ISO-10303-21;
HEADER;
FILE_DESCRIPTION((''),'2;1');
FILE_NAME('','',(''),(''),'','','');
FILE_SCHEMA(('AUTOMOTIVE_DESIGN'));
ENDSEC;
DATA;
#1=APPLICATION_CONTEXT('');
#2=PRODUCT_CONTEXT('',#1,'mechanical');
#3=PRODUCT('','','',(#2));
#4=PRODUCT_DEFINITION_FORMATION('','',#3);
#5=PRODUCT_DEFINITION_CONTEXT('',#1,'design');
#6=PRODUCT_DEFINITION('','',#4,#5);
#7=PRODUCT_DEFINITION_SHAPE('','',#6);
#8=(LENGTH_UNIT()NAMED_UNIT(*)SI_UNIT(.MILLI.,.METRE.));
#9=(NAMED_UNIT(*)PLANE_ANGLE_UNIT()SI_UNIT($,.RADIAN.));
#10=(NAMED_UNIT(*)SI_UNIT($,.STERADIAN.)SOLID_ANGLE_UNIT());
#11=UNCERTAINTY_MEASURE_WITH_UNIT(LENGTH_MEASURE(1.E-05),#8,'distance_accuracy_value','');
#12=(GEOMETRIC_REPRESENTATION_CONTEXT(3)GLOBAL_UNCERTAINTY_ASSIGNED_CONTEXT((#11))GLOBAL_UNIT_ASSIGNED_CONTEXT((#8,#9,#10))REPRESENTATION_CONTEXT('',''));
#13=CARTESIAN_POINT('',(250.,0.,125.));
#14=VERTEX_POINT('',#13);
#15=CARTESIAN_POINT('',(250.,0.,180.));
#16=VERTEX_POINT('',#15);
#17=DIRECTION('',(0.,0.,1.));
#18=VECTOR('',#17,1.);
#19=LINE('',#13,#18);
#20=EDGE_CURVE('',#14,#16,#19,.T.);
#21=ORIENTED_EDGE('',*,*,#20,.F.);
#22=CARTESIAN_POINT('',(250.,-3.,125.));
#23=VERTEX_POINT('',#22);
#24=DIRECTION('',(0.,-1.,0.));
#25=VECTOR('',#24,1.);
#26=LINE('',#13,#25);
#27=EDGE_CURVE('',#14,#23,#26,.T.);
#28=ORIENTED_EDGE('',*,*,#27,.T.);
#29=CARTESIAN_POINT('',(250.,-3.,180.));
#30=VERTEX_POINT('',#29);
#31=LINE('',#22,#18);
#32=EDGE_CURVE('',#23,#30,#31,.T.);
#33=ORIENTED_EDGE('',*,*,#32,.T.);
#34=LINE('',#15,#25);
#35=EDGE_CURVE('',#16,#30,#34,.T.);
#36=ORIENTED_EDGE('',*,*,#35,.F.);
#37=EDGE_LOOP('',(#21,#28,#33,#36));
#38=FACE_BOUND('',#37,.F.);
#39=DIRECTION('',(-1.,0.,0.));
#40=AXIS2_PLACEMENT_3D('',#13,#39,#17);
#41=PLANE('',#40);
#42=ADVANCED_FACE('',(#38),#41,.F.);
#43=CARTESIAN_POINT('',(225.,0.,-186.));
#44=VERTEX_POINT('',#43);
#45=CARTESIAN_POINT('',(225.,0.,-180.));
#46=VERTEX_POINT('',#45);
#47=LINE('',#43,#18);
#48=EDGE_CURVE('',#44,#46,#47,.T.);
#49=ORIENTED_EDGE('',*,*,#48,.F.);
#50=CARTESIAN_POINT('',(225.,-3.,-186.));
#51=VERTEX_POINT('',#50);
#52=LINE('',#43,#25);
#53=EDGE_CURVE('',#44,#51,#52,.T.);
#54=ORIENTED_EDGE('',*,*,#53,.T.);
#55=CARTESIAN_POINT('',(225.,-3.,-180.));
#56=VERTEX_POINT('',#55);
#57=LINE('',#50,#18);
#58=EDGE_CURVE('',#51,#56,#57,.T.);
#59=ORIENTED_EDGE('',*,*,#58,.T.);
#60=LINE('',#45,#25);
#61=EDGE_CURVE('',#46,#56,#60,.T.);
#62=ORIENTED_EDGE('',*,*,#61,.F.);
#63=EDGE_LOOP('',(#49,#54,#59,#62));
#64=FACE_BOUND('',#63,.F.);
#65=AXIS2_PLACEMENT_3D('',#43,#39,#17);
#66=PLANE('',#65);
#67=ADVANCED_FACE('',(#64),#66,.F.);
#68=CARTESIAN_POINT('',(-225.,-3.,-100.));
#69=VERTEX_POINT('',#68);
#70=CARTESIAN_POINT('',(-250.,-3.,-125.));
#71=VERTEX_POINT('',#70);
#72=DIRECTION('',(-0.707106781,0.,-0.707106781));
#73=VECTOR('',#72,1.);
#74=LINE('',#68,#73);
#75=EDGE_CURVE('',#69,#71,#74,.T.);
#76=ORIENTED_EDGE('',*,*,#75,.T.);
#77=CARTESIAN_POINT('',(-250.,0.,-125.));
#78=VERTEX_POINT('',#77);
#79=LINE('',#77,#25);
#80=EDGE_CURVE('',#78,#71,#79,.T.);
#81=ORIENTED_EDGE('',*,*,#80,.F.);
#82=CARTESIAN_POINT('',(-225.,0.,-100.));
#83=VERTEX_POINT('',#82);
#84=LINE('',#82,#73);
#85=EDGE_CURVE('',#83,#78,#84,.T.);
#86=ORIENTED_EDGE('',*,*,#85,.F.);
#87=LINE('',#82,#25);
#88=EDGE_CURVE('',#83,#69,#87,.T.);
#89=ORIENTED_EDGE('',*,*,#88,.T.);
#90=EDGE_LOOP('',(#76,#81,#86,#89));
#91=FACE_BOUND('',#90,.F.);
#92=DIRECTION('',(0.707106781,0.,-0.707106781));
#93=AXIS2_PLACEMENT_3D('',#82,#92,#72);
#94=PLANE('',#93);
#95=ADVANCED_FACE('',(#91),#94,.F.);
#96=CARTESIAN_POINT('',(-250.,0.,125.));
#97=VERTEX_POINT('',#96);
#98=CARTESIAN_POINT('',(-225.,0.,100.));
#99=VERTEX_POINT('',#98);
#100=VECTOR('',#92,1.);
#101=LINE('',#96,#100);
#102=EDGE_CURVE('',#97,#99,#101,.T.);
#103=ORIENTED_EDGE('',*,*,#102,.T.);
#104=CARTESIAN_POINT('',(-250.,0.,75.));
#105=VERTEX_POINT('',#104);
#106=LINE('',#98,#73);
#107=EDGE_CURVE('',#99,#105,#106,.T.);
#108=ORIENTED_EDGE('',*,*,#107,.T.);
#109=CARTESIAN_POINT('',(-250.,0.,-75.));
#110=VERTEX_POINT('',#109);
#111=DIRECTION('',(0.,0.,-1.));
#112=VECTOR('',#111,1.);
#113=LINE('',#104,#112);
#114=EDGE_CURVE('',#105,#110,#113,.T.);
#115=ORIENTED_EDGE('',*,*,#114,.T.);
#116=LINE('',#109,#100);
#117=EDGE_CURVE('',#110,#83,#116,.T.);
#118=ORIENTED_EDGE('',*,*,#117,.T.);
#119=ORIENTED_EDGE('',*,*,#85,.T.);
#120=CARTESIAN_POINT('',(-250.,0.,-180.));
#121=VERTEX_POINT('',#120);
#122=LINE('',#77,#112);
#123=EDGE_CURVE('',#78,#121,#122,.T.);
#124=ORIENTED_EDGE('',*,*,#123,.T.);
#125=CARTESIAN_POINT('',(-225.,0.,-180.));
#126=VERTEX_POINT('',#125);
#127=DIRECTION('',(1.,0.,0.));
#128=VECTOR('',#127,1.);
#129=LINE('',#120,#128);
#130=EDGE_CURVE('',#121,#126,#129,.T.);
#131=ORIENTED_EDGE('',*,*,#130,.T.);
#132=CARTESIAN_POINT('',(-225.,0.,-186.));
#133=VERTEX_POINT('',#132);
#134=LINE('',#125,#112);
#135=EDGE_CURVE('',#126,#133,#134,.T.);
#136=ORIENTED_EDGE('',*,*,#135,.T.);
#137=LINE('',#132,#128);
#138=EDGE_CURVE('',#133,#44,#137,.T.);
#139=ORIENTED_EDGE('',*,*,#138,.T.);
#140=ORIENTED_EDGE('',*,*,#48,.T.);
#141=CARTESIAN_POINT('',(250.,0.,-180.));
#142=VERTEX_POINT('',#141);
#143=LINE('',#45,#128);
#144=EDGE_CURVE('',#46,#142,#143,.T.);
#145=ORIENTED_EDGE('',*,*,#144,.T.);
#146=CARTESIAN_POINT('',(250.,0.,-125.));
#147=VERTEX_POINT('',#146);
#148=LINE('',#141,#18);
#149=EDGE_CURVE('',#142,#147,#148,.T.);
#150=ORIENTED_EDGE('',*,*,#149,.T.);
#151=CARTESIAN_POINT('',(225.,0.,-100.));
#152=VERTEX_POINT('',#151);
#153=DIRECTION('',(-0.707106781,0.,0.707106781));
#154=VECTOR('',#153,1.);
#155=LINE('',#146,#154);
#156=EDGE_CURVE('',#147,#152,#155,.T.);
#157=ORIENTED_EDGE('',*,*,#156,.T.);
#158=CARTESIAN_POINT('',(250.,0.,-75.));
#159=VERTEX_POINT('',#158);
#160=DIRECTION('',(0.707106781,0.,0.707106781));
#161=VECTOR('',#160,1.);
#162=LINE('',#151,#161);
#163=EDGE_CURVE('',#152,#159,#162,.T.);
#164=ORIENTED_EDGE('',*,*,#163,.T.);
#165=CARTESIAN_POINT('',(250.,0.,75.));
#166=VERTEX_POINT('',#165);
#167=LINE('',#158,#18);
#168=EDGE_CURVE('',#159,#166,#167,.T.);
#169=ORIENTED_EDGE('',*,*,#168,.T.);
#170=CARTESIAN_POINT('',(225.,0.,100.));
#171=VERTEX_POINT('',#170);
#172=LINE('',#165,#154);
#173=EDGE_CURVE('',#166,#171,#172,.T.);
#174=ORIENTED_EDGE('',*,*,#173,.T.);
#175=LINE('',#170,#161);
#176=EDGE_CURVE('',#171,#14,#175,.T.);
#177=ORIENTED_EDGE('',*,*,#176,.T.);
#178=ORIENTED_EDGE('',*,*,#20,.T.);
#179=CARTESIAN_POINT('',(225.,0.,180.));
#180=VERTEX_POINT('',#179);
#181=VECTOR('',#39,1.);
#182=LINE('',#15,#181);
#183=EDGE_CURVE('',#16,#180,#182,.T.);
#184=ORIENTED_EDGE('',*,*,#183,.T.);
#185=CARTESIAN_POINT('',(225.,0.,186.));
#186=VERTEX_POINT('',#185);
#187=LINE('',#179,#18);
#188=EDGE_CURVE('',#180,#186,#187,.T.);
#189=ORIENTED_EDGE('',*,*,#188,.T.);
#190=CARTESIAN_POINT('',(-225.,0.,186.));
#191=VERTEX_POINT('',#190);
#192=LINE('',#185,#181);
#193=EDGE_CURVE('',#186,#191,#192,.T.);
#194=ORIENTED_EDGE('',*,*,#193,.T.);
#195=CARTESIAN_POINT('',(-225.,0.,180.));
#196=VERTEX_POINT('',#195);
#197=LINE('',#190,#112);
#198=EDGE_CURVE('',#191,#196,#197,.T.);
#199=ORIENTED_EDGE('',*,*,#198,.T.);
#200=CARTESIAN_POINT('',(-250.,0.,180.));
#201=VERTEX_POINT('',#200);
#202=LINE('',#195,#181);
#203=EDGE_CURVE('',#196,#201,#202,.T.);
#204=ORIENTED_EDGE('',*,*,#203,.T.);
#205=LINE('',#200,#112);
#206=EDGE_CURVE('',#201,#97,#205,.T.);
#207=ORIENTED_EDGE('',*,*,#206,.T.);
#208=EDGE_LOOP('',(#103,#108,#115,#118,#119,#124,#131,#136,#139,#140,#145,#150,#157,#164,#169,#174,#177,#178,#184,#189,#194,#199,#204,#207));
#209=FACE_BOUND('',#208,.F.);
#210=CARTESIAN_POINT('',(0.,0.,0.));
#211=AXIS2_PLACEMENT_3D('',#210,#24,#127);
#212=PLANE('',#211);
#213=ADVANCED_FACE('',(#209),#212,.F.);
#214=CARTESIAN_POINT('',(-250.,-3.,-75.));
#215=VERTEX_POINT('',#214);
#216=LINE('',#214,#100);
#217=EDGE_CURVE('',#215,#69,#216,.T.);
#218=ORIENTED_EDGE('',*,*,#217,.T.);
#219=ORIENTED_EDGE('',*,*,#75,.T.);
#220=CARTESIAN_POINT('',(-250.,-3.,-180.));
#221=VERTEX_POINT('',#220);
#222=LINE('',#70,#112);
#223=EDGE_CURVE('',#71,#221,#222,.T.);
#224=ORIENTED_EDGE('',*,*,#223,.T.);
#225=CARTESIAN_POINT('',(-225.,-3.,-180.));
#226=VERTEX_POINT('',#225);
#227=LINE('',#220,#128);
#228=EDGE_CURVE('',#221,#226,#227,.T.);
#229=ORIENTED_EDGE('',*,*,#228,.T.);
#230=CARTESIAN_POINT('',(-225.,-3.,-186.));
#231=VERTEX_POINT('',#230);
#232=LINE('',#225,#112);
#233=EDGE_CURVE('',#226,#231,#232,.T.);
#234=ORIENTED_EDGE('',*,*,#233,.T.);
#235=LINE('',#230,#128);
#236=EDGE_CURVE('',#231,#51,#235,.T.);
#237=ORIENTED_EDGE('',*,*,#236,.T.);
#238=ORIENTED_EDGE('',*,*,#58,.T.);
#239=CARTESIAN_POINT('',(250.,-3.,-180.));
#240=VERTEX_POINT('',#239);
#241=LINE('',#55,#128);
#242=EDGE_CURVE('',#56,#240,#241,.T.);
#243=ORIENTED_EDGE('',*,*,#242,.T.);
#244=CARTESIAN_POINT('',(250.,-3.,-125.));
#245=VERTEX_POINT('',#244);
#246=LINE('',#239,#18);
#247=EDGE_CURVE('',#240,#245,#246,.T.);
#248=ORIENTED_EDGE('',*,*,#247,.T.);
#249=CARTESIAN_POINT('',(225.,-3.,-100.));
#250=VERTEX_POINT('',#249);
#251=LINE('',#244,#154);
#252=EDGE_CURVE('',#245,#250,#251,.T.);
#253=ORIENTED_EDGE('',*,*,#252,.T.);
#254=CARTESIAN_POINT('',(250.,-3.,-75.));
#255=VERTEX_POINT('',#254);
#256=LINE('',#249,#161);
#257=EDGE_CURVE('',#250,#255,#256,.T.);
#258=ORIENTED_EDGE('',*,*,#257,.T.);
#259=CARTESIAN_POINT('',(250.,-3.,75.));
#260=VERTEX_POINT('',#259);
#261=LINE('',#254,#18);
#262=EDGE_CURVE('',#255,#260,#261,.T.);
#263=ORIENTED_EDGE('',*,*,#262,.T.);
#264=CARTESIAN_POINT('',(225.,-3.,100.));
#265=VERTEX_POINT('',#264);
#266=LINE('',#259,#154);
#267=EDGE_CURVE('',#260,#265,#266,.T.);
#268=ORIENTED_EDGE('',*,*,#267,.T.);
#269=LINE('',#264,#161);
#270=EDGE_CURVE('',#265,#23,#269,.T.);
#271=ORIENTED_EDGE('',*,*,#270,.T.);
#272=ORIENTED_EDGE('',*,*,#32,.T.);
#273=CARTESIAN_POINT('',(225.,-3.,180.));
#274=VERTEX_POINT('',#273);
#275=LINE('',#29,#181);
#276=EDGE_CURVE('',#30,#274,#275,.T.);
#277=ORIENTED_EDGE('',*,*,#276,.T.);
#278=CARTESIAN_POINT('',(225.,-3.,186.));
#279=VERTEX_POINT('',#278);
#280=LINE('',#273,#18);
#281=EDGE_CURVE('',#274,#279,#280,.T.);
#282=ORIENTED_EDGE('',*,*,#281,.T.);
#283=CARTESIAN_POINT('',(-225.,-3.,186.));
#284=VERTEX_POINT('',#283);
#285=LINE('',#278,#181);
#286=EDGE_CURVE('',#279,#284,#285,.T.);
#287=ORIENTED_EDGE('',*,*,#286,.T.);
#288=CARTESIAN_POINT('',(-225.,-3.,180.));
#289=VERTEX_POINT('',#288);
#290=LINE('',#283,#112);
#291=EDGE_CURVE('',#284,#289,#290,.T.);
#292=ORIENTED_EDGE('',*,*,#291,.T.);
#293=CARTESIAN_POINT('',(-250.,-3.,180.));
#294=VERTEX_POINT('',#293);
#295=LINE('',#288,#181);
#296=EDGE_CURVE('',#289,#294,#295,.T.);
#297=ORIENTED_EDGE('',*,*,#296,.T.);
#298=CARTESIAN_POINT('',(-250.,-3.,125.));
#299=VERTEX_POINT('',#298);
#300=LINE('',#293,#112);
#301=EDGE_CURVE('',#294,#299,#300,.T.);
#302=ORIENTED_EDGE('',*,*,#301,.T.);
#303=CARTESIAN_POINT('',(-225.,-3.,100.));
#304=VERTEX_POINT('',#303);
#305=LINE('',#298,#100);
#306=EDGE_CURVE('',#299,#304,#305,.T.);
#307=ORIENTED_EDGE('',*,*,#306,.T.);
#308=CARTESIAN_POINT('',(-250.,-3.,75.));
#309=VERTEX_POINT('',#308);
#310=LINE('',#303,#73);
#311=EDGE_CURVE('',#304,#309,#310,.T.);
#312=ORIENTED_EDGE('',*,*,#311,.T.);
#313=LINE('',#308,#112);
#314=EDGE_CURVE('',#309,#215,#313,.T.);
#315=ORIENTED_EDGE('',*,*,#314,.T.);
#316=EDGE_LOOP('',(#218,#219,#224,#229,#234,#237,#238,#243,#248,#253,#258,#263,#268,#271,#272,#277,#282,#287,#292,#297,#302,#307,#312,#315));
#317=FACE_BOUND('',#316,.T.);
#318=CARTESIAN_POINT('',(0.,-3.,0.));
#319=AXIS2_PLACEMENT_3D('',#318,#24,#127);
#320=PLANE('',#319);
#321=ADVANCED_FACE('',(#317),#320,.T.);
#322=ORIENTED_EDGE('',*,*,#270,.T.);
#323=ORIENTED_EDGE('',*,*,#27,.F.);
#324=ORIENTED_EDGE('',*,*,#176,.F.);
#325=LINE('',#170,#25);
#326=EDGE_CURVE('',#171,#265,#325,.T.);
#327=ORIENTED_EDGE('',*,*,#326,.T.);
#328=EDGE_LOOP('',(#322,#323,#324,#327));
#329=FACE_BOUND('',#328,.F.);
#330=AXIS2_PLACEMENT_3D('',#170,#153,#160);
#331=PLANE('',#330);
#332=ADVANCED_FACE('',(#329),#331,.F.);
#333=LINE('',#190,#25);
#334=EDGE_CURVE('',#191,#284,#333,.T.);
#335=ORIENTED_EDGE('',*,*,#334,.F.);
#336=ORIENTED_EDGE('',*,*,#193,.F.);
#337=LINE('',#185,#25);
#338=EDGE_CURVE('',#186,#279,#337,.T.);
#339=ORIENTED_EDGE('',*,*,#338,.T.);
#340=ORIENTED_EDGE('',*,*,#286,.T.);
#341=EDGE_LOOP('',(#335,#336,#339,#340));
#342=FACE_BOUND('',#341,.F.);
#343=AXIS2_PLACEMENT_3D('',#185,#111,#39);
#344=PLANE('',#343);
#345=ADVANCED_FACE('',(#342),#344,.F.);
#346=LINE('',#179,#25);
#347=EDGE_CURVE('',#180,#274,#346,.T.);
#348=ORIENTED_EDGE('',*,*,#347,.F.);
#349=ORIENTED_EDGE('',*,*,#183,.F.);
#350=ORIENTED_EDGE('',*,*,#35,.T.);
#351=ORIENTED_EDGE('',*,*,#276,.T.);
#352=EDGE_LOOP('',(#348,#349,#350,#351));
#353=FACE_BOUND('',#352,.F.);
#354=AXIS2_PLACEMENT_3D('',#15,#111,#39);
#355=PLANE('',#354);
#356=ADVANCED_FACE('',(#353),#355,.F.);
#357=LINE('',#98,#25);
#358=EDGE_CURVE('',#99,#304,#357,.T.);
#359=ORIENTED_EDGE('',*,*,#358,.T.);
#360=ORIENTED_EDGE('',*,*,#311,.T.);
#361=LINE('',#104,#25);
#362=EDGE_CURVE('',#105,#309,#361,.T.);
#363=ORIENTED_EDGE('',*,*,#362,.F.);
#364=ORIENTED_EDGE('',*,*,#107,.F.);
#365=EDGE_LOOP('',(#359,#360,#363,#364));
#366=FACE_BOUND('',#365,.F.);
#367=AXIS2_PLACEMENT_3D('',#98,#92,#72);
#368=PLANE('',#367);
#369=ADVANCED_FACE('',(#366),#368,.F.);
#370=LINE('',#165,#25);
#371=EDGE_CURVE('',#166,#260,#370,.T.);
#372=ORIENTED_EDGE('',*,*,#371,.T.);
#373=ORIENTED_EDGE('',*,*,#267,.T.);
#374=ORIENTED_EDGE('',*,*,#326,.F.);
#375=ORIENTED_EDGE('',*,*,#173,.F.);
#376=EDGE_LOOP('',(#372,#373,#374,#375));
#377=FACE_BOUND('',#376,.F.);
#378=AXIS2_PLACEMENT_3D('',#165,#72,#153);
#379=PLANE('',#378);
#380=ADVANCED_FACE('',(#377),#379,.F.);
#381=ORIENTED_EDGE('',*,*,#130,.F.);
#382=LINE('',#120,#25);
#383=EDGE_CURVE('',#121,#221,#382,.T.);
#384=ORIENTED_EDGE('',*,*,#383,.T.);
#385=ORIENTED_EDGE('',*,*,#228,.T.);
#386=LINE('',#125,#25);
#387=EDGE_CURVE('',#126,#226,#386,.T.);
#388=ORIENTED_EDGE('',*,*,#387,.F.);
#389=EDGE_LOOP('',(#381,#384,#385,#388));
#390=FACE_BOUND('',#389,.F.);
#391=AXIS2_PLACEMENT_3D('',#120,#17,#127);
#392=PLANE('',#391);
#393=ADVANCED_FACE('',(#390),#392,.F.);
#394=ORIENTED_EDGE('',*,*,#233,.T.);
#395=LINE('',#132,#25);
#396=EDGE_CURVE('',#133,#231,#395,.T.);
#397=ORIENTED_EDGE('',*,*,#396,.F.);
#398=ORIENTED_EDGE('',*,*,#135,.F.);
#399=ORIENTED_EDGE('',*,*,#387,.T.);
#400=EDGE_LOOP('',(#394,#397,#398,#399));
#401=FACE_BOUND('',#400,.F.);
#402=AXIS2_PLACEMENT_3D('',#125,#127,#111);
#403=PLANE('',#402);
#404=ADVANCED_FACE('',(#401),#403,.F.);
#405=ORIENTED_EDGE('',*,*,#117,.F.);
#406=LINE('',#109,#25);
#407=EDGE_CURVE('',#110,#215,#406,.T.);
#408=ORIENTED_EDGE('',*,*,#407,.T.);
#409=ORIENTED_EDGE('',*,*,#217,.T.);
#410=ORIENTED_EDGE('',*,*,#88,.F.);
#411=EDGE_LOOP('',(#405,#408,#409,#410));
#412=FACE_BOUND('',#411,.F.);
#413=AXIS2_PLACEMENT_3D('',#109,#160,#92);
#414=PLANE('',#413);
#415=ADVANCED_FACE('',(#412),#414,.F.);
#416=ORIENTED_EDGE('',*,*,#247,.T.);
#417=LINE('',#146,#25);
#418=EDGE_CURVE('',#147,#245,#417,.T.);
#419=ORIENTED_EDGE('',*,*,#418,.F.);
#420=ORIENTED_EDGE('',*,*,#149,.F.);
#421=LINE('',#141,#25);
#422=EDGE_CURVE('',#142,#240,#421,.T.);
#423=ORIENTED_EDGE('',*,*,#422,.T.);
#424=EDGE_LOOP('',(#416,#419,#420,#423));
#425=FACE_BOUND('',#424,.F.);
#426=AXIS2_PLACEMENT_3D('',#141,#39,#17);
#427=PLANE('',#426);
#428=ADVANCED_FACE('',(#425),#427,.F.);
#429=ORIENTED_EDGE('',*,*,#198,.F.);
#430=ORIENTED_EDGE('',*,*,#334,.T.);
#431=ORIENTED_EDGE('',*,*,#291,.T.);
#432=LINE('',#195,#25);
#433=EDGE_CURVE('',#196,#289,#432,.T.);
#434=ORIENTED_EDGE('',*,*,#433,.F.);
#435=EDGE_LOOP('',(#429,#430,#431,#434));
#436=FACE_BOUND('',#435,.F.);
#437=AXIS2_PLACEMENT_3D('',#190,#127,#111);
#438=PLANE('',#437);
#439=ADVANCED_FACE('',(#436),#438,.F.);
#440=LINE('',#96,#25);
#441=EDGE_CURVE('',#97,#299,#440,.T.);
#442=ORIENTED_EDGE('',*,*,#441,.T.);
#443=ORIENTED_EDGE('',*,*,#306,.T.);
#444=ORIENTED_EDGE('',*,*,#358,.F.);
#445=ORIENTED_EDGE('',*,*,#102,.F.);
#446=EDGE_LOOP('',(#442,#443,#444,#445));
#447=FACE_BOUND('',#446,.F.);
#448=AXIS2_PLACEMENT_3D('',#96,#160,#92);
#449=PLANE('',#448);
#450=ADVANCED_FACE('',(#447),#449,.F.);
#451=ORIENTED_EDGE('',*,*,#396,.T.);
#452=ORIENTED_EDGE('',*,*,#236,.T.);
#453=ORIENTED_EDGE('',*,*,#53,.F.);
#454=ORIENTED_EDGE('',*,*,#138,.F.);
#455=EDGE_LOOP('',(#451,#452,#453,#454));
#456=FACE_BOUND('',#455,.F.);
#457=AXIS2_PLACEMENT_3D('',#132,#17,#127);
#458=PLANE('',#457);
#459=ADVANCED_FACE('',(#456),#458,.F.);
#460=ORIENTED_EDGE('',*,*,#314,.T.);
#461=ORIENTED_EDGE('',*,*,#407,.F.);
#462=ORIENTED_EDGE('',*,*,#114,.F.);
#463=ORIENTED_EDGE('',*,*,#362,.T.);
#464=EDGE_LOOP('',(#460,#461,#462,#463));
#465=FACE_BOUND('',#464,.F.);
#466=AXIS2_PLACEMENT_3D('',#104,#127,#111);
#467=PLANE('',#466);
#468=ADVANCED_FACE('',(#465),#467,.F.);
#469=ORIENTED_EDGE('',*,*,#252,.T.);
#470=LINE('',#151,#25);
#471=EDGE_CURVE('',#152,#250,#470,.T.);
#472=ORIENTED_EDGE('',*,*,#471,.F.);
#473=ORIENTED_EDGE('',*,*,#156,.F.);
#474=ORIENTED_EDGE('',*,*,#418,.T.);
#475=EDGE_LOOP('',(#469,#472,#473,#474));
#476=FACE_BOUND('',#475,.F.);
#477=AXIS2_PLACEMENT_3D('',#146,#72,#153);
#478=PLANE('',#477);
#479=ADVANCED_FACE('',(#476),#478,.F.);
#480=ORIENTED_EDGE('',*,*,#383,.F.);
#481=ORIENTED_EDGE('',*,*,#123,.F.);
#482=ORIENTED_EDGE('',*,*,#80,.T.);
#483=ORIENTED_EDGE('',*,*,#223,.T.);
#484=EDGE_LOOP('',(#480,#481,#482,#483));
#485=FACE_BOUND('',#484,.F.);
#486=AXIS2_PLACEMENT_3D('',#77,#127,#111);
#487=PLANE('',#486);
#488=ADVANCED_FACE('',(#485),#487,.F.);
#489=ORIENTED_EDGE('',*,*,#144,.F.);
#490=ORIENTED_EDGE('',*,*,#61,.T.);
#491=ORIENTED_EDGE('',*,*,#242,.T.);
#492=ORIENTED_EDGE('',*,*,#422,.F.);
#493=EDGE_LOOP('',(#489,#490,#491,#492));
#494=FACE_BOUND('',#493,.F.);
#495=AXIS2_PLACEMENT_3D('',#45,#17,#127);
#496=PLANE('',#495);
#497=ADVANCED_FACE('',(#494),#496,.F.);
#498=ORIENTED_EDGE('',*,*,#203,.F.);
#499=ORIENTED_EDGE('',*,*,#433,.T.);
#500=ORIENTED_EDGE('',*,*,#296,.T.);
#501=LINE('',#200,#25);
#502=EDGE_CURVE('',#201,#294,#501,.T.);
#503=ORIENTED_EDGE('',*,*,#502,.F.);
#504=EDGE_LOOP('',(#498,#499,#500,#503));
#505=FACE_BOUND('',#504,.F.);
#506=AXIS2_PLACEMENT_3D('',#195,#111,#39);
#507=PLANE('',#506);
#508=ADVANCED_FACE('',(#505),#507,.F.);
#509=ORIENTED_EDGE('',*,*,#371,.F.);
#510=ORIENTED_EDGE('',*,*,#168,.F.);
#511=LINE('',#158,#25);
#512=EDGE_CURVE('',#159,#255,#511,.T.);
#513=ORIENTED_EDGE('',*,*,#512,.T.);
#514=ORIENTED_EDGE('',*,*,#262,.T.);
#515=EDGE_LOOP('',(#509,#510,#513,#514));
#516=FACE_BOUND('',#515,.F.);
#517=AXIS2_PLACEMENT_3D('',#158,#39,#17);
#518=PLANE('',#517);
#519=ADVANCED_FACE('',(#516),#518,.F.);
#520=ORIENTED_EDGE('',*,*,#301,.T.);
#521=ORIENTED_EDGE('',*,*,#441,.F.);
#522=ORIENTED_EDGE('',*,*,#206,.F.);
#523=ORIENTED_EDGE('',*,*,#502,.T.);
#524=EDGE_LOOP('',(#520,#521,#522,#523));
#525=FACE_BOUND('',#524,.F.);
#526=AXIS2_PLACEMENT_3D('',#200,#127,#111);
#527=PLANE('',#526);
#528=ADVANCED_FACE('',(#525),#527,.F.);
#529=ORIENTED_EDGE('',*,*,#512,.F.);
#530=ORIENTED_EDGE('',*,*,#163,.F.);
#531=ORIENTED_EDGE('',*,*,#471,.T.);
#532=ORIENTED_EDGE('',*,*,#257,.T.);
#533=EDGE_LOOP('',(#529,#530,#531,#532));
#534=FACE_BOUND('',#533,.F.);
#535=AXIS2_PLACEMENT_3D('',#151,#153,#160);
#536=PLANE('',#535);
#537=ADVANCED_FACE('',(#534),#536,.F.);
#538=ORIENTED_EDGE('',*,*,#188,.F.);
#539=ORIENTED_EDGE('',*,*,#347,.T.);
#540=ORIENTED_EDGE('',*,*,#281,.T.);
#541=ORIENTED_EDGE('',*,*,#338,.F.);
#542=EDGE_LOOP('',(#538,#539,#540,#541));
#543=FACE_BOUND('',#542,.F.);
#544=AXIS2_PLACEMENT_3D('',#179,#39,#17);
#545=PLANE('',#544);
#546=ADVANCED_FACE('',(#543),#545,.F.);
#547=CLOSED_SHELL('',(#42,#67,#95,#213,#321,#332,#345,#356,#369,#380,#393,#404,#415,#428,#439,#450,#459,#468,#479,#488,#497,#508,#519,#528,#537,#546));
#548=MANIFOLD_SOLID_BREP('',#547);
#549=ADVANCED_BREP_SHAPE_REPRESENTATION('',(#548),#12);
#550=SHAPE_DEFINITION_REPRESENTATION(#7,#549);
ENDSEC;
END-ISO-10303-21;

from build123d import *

# Parameters (mm, degrees)
F1_DEPTH = 3


with BuildPart() as f1:
    # F0 (on Front) → F1 (new body)
    with BuildSketch(Plane.XZ):
        Polygon((225, 180), (225, 186), (-225, 186), (-225, 180), (-250, 180), (-250, 125), (-225, 100), (-225, -100), (-250, -125), (-250, -180), (-225, -180), (-225, -186), (225, -186), (225, -180), (250, -180), (250, -125), (225, -100), (225, 100), (250, 125), (250, 180), align=None)
        Polygon((250, 75), (225, 100), (225, -100), (250, -75), align=None)
        Polygon((-225, -100), (-225, 100), (-250, 75), (-250, -75), align=None)
    extrude(amount=F1_DEPTH)


solid = f1.part
